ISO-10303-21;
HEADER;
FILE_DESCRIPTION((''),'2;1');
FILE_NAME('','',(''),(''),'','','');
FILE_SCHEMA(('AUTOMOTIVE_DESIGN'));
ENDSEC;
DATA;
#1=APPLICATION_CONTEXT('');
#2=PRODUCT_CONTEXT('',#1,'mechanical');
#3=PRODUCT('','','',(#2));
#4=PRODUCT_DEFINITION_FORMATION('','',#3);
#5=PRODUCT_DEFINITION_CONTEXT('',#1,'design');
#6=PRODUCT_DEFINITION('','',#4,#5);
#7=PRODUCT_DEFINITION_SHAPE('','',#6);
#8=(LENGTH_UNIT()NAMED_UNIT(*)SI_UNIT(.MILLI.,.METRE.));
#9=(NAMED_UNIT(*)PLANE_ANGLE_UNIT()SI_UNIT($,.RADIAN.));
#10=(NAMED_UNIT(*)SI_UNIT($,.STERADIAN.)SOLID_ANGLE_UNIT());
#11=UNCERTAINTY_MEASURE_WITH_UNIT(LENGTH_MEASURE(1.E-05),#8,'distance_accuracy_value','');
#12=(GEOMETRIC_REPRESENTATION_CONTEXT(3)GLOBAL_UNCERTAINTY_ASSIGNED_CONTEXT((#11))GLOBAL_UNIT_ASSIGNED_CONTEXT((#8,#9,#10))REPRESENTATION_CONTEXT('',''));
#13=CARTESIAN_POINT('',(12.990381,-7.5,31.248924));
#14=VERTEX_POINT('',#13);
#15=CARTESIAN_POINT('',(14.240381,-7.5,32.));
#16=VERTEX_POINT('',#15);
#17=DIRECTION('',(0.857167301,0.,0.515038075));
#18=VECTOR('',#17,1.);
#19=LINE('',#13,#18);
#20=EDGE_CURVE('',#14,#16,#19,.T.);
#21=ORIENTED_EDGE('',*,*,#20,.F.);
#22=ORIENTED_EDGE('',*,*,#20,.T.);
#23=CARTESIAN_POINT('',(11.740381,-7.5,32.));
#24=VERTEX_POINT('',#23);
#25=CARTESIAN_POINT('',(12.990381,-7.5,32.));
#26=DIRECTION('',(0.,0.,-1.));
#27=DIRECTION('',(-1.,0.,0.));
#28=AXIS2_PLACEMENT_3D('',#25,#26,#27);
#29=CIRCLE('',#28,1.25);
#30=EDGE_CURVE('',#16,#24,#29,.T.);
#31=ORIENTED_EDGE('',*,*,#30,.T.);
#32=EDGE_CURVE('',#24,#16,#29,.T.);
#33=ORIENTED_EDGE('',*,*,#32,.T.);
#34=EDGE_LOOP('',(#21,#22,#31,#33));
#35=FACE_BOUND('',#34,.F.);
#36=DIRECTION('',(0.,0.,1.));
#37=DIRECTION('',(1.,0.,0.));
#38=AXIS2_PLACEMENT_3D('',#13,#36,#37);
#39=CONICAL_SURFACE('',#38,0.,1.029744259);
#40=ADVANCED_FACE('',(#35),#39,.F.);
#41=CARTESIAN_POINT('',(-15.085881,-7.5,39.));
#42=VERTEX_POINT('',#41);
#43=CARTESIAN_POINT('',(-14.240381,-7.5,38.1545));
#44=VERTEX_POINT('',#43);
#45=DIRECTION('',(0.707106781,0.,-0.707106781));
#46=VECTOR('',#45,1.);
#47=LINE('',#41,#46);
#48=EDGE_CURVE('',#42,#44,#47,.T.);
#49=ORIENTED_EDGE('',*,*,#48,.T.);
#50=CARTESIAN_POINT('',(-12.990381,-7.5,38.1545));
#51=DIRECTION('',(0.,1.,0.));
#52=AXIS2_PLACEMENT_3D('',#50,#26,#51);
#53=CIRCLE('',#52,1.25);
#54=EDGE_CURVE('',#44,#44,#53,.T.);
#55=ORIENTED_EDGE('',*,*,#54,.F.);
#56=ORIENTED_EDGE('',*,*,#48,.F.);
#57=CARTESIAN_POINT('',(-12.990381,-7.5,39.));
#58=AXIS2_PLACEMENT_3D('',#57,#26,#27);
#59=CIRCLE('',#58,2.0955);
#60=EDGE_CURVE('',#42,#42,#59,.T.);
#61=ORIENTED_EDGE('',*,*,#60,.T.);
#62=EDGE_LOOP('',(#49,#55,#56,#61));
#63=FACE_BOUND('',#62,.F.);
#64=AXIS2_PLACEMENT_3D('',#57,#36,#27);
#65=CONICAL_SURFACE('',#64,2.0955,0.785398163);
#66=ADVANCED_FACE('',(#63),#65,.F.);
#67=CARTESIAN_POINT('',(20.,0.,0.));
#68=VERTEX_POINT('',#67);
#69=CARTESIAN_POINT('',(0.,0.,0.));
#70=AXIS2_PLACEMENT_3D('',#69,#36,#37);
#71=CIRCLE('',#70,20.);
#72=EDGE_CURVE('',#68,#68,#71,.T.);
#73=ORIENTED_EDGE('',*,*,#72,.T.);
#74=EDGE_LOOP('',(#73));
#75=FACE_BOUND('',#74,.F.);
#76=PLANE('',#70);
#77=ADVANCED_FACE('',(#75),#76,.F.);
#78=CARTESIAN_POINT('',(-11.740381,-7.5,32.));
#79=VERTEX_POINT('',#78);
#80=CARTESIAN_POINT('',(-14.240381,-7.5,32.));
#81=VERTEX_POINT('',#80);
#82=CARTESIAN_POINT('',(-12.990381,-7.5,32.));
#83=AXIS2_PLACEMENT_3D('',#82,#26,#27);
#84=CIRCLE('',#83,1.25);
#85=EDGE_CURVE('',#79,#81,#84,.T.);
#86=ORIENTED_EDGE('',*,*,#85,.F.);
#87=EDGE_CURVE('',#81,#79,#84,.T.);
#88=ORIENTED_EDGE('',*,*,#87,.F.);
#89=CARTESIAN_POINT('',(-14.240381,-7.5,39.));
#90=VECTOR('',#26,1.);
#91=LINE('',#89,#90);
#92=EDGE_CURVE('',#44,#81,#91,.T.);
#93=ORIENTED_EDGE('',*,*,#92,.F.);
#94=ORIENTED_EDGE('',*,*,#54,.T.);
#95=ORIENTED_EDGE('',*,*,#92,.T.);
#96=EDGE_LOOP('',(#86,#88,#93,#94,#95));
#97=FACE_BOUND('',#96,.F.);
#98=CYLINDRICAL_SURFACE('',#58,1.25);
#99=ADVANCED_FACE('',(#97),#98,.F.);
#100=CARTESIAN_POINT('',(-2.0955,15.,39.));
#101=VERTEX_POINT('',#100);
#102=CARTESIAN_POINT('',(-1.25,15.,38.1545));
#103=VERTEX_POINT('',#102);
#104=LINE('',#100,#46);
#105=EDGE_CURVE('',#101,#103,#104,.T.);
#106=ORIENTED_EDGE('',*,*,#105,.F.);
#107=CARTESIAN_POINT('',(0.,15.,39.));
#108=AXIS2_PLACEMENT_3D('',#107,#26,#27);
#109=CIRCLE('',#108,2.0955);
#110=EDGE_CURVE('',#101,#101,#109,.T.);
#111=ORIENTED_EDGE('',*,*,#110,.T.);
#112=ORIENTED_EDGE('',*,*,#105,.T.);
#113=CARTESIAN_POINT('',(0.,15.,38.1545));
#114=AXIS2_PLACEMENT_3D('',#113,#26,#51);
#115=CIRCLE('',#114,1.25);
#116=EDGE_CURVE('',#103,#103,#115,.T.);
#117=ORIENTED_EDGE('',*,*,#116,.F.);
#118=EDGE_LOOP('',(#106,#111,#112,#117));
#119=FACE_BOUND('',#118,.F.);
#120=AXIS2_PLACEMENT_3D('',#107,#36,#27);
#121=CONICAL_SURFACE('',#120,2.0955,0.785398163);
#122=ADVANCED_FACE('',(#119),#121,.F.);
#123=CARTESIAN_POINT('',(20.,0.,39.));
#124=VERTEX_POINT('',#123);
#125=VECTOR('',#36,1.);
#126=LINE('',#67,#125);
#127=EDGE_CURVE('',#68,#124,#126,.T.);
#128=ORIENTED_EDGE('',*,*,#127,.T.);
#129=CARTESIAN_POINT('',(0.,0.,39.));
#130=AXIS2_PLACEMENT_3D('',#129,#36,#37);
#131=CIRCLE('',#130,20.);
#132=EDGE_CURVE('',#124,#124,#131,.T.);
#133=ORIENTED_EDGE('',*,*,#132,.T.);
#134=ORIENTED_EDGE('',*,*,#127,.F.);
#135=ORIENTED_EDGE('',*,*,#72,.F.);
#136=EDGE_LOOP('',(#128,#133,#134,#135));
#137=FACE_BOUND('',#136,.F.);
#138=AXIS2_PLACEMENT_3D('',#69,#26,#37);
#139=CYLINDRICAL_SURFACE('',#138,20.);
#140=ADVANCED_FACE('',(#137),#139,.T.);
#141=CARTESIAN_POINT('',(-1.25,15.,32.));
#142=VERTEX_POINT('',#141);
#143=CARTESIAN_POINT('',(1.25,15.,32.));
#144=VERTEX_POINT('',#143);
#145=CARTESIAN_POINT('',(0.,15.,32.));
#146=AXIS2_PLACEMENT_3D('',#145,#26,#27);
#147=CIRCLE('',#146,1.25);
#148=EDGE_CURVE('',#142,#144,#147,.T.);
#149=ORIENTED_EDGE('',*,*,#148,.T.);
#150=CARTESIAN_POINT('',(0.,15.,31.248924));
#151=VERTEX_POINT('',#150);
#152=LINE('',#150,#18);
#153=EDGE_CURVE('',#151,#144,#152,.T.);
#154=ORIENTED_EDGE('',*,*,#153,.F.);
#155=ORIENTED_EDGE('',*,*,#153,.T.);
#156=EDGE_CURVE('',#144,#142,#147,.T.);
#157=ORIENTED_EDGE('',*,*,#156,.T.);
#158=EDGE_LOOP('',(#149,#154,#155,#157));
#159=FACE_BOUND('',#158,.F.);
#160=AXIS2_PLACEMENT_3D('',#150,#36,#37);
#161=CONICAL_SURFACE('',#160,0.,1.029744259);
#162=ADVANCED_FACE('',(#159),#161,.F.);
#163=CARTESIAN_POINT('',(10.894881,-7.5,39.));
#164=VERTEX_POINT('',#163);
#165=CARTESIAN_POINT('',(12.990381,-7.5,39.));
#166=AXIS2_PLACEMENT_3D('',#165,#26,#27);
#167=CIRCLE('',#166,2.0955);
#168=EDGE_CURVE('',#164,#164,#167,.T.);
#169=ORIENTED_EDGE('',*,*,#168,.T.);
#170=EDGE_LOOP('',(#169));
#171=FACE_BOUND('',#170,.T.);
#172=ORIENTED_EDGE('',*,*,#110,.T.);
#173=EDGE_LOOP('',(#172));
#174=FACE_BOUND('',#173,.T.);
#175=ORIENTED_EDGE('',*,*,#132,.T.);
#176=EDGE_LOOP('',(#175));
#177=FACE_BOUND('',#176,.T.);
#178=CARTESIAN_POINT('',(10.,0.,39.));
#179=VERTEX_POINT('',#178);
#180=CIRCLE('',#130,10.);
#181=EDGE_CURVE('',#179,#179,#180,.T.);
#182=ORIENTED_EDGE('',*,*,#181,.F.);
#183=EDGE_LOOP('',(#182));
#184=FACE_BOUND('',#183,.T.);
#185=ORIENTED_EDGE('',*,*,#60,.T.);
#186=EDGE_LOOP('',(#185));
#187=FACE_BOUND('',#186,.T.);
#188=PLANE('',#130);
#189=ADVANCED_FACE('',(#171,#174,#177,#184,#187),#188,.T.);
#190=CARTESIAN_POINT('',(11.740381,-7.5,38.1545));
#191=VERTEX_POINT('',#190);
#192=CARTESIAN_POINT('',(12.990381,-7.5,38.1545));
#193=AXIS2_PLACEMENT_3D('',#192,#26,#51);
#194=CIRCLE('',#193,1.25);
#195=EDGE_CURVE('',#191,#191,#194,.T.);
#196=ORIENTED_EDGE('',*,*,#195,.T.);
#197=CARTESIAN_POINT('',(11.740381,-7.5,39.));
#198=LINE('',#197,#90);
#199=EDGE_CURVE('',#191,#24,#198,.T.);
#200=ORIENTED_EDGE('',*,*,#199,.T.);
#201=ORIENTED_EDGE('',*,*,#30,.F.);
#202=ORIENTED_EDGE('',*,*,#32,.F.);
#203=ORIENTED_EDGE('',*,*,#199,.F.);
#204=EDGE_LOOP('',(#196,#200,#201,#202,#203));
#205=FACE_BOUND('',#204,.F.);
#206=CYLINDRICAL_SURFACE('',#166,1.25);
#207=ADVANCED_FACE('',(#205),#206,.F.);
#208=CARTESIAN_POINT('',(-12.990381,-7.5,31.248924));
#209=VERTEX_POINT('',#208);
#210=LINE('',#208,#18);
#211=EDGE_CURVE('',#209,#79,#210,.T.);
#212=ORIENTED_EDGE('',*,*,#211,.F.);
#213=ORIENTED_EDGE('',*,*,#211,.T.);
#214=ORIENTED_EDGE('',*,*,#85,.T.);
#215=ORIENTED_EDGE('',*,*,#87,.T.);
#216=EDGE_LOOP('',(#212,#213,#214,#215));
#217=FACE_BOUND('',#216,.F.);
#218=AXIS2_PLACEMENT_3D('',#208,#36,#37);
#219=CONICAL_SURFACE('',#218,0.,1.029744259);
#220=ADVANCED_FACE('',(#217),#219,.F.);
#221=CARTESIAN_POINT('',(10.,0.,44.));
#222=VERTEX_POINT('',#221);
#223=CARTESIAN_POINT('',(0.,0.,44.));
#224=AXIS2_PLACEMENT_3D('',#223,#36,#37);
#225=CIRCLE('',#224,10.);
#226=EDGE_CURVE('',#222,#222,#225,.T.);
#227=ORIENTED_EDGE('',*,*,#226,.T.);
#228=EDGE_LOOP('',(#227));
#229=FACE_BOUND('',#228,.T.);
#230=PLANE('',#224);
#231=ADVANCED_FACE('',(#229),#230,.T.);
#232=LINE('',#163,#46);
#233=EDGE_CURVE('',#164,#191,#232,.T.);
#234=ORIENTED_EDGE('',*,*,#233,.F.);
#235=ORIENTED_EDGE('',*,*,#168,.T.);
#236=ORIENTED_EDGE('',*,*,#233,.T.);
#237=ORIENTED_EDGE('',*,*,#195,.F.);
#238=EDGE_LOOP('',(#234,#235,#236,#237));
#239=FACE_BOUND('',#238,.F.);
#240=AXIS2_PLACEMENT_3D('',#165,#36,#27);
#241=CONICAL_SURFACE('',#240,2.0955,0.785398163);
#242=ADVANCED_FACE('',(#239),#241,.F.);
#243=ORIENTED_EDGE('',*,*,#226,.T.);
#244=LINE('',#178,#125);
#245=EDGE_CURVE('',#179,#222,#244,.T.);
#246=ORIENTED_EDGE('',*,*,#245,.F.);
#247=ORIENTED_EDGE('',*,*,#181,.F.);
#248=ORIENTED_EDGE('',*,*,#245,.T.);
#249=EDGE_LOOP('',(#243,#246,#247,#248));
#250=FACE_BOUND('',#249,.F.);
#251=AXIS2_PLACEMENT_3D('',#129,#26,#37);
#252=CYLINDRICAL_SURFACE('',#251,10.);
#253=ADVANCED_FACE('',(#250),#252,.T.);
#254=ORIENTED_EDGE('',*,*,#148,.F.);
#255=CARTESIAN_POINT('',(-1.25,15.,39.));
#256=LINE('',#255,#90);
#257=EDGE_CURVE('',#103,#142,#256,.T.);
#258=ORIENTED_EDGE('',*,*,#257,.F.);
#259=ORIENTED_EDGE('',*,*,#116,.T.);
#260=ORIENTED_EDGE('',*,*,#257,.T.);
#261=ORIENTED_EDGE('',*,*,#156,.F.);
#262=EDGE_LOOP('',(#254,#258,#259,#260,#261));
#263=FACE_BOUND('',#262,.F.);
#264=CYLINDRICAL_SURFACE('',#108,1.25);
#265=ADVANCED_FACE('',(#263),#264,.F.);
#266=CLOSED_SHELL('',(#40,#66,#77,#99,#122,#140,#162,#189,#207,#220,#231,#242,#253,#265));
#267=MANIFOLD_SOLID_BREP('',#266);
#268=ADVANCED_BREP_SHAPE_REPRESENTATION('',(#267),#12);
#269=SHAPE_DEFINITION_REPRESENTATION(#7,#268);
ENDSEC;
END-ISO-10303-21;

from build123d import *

# Parameters (mm, degrees)
F0_R           = 20
F1_DEPTH       = 39
F2_R           = 10
F3_DEPTH       = 5
F5_D           = 2.5
F5_DEPTH       = 7
F5_CSINK_D     = 4.191
F5_CSINK_ANGLE = 90
F5_TIP         = 0.7510757738


with BuildPart() as f1:
    # F0 (on Top) → F1 (new body)
    with BuildSketch(Plane.XY):
        Circle(F0_R)
    extrude(amount=F1_DEPTH)

    # F2 (on face) → F3 (join)
    with BuildSketch(Plane.XY.offset(39)):
        Circle(F2_R)
    extrude(amount=F3_DEPTH)

    # F5
    with Locations(Plane.XY.offset(39)):
        with Locations((-12.9903810568, -7.5), (12.9903810568, -7.5), (0, 15)):
            CounterSinkHole(F5_D / 2, F5_CSINK_D / 2, depth=F5_DEPTH, counter_sink_angle=F5_CSINK_ANGLE)
            with Locations((0, 0, -(F5_DEPTH + F5_TIP / 2))):  # 118° drill point
                Cone(0, F5_D / 2, F5_TIP, mode=Mode.SUBTRACT)


solid = f1.part
